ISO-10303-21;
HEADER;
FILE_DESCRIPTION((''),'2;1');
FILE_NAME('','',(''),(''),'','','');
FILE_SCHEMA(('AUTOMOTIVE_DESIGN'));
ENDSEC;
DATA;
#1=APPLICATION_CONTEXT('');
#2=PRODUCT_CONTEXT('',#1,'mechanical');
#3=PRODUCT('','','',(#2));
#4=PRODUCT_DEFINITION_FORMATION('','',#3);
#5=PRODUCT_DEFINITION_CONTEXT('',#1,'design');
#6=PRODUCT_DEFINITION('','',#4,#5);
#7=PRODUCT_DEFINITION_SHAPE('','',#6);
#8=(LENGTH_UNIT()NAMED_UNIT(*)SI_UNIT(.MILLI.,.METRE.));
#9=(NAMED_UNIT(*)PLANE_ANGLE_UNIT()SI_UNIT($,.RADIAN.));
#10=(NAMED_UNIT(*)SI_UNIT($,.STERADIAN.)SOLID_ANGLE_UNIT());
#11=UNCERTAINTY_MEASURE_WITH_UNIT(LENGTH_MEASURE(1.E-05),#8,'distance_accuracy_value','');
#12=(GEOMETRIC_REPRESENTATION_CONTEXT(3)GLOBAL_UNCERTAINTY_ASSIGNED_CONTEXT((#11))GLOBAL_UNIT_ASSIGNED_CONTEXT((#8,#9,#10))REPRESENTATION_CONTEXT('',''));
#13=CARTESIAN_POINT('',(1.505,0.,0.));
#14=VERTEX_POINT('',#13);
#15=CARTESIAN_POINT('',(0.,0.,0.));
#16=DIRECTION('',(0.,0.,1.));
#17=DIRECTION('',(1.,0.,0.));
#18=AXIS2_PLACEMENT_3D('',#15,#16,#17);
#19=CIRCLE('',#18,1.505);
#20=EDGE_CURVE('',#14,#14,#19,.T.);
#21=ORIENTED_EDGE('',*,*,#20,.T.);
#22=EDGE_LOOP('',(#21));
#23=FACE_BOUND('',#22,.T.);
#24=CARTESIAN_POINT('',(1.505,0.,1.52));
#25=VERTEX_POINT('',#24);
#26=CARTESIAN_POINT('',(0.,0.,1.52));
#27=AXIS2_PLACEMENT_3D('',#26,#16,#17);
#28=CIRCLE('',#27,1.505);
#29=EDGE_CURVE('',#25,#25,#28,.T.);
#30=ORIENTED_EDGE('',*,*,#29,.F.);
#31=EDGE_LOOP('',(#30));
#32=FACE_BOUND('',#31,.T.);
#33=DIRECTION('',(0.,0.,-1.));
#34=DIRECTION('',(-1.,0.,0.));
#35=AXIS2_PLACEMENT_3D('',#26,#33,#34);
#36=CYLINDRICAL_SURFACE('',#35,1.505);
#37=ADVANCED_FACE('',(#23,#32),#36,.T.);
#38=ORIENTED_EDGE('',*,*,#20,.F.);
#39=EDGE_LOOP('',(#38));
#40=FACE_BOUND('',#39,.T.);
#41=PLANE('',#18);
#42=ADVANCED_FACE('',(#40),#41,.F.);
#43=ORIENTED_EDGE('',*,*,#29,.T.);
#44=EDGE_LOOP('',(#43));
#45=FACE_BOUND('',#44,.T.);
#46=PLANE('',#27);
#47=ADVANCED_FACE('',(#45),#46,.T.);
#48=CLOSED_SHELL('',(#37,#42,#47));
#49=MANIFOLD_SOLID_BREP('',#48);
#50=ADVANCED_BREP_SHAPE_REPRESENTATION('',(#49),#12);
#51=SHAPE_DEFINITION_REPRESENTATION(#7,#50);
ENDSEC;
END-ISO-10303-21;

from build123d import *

# Parameters (mm, degrees)
SKETCH1_R           = 1.505
BOSS_EXTRUDE1_DEPTH = 1.52


with BuildPart() as part:
    # Sketch1 → Boss-Extrude1 (new body)
    with BuildSketch(Plane.XY):
        Circle(SKETCH1_R)
    extrude(amount=BOSS_EXTRUDE1_DEPTH)


solid = part.part
